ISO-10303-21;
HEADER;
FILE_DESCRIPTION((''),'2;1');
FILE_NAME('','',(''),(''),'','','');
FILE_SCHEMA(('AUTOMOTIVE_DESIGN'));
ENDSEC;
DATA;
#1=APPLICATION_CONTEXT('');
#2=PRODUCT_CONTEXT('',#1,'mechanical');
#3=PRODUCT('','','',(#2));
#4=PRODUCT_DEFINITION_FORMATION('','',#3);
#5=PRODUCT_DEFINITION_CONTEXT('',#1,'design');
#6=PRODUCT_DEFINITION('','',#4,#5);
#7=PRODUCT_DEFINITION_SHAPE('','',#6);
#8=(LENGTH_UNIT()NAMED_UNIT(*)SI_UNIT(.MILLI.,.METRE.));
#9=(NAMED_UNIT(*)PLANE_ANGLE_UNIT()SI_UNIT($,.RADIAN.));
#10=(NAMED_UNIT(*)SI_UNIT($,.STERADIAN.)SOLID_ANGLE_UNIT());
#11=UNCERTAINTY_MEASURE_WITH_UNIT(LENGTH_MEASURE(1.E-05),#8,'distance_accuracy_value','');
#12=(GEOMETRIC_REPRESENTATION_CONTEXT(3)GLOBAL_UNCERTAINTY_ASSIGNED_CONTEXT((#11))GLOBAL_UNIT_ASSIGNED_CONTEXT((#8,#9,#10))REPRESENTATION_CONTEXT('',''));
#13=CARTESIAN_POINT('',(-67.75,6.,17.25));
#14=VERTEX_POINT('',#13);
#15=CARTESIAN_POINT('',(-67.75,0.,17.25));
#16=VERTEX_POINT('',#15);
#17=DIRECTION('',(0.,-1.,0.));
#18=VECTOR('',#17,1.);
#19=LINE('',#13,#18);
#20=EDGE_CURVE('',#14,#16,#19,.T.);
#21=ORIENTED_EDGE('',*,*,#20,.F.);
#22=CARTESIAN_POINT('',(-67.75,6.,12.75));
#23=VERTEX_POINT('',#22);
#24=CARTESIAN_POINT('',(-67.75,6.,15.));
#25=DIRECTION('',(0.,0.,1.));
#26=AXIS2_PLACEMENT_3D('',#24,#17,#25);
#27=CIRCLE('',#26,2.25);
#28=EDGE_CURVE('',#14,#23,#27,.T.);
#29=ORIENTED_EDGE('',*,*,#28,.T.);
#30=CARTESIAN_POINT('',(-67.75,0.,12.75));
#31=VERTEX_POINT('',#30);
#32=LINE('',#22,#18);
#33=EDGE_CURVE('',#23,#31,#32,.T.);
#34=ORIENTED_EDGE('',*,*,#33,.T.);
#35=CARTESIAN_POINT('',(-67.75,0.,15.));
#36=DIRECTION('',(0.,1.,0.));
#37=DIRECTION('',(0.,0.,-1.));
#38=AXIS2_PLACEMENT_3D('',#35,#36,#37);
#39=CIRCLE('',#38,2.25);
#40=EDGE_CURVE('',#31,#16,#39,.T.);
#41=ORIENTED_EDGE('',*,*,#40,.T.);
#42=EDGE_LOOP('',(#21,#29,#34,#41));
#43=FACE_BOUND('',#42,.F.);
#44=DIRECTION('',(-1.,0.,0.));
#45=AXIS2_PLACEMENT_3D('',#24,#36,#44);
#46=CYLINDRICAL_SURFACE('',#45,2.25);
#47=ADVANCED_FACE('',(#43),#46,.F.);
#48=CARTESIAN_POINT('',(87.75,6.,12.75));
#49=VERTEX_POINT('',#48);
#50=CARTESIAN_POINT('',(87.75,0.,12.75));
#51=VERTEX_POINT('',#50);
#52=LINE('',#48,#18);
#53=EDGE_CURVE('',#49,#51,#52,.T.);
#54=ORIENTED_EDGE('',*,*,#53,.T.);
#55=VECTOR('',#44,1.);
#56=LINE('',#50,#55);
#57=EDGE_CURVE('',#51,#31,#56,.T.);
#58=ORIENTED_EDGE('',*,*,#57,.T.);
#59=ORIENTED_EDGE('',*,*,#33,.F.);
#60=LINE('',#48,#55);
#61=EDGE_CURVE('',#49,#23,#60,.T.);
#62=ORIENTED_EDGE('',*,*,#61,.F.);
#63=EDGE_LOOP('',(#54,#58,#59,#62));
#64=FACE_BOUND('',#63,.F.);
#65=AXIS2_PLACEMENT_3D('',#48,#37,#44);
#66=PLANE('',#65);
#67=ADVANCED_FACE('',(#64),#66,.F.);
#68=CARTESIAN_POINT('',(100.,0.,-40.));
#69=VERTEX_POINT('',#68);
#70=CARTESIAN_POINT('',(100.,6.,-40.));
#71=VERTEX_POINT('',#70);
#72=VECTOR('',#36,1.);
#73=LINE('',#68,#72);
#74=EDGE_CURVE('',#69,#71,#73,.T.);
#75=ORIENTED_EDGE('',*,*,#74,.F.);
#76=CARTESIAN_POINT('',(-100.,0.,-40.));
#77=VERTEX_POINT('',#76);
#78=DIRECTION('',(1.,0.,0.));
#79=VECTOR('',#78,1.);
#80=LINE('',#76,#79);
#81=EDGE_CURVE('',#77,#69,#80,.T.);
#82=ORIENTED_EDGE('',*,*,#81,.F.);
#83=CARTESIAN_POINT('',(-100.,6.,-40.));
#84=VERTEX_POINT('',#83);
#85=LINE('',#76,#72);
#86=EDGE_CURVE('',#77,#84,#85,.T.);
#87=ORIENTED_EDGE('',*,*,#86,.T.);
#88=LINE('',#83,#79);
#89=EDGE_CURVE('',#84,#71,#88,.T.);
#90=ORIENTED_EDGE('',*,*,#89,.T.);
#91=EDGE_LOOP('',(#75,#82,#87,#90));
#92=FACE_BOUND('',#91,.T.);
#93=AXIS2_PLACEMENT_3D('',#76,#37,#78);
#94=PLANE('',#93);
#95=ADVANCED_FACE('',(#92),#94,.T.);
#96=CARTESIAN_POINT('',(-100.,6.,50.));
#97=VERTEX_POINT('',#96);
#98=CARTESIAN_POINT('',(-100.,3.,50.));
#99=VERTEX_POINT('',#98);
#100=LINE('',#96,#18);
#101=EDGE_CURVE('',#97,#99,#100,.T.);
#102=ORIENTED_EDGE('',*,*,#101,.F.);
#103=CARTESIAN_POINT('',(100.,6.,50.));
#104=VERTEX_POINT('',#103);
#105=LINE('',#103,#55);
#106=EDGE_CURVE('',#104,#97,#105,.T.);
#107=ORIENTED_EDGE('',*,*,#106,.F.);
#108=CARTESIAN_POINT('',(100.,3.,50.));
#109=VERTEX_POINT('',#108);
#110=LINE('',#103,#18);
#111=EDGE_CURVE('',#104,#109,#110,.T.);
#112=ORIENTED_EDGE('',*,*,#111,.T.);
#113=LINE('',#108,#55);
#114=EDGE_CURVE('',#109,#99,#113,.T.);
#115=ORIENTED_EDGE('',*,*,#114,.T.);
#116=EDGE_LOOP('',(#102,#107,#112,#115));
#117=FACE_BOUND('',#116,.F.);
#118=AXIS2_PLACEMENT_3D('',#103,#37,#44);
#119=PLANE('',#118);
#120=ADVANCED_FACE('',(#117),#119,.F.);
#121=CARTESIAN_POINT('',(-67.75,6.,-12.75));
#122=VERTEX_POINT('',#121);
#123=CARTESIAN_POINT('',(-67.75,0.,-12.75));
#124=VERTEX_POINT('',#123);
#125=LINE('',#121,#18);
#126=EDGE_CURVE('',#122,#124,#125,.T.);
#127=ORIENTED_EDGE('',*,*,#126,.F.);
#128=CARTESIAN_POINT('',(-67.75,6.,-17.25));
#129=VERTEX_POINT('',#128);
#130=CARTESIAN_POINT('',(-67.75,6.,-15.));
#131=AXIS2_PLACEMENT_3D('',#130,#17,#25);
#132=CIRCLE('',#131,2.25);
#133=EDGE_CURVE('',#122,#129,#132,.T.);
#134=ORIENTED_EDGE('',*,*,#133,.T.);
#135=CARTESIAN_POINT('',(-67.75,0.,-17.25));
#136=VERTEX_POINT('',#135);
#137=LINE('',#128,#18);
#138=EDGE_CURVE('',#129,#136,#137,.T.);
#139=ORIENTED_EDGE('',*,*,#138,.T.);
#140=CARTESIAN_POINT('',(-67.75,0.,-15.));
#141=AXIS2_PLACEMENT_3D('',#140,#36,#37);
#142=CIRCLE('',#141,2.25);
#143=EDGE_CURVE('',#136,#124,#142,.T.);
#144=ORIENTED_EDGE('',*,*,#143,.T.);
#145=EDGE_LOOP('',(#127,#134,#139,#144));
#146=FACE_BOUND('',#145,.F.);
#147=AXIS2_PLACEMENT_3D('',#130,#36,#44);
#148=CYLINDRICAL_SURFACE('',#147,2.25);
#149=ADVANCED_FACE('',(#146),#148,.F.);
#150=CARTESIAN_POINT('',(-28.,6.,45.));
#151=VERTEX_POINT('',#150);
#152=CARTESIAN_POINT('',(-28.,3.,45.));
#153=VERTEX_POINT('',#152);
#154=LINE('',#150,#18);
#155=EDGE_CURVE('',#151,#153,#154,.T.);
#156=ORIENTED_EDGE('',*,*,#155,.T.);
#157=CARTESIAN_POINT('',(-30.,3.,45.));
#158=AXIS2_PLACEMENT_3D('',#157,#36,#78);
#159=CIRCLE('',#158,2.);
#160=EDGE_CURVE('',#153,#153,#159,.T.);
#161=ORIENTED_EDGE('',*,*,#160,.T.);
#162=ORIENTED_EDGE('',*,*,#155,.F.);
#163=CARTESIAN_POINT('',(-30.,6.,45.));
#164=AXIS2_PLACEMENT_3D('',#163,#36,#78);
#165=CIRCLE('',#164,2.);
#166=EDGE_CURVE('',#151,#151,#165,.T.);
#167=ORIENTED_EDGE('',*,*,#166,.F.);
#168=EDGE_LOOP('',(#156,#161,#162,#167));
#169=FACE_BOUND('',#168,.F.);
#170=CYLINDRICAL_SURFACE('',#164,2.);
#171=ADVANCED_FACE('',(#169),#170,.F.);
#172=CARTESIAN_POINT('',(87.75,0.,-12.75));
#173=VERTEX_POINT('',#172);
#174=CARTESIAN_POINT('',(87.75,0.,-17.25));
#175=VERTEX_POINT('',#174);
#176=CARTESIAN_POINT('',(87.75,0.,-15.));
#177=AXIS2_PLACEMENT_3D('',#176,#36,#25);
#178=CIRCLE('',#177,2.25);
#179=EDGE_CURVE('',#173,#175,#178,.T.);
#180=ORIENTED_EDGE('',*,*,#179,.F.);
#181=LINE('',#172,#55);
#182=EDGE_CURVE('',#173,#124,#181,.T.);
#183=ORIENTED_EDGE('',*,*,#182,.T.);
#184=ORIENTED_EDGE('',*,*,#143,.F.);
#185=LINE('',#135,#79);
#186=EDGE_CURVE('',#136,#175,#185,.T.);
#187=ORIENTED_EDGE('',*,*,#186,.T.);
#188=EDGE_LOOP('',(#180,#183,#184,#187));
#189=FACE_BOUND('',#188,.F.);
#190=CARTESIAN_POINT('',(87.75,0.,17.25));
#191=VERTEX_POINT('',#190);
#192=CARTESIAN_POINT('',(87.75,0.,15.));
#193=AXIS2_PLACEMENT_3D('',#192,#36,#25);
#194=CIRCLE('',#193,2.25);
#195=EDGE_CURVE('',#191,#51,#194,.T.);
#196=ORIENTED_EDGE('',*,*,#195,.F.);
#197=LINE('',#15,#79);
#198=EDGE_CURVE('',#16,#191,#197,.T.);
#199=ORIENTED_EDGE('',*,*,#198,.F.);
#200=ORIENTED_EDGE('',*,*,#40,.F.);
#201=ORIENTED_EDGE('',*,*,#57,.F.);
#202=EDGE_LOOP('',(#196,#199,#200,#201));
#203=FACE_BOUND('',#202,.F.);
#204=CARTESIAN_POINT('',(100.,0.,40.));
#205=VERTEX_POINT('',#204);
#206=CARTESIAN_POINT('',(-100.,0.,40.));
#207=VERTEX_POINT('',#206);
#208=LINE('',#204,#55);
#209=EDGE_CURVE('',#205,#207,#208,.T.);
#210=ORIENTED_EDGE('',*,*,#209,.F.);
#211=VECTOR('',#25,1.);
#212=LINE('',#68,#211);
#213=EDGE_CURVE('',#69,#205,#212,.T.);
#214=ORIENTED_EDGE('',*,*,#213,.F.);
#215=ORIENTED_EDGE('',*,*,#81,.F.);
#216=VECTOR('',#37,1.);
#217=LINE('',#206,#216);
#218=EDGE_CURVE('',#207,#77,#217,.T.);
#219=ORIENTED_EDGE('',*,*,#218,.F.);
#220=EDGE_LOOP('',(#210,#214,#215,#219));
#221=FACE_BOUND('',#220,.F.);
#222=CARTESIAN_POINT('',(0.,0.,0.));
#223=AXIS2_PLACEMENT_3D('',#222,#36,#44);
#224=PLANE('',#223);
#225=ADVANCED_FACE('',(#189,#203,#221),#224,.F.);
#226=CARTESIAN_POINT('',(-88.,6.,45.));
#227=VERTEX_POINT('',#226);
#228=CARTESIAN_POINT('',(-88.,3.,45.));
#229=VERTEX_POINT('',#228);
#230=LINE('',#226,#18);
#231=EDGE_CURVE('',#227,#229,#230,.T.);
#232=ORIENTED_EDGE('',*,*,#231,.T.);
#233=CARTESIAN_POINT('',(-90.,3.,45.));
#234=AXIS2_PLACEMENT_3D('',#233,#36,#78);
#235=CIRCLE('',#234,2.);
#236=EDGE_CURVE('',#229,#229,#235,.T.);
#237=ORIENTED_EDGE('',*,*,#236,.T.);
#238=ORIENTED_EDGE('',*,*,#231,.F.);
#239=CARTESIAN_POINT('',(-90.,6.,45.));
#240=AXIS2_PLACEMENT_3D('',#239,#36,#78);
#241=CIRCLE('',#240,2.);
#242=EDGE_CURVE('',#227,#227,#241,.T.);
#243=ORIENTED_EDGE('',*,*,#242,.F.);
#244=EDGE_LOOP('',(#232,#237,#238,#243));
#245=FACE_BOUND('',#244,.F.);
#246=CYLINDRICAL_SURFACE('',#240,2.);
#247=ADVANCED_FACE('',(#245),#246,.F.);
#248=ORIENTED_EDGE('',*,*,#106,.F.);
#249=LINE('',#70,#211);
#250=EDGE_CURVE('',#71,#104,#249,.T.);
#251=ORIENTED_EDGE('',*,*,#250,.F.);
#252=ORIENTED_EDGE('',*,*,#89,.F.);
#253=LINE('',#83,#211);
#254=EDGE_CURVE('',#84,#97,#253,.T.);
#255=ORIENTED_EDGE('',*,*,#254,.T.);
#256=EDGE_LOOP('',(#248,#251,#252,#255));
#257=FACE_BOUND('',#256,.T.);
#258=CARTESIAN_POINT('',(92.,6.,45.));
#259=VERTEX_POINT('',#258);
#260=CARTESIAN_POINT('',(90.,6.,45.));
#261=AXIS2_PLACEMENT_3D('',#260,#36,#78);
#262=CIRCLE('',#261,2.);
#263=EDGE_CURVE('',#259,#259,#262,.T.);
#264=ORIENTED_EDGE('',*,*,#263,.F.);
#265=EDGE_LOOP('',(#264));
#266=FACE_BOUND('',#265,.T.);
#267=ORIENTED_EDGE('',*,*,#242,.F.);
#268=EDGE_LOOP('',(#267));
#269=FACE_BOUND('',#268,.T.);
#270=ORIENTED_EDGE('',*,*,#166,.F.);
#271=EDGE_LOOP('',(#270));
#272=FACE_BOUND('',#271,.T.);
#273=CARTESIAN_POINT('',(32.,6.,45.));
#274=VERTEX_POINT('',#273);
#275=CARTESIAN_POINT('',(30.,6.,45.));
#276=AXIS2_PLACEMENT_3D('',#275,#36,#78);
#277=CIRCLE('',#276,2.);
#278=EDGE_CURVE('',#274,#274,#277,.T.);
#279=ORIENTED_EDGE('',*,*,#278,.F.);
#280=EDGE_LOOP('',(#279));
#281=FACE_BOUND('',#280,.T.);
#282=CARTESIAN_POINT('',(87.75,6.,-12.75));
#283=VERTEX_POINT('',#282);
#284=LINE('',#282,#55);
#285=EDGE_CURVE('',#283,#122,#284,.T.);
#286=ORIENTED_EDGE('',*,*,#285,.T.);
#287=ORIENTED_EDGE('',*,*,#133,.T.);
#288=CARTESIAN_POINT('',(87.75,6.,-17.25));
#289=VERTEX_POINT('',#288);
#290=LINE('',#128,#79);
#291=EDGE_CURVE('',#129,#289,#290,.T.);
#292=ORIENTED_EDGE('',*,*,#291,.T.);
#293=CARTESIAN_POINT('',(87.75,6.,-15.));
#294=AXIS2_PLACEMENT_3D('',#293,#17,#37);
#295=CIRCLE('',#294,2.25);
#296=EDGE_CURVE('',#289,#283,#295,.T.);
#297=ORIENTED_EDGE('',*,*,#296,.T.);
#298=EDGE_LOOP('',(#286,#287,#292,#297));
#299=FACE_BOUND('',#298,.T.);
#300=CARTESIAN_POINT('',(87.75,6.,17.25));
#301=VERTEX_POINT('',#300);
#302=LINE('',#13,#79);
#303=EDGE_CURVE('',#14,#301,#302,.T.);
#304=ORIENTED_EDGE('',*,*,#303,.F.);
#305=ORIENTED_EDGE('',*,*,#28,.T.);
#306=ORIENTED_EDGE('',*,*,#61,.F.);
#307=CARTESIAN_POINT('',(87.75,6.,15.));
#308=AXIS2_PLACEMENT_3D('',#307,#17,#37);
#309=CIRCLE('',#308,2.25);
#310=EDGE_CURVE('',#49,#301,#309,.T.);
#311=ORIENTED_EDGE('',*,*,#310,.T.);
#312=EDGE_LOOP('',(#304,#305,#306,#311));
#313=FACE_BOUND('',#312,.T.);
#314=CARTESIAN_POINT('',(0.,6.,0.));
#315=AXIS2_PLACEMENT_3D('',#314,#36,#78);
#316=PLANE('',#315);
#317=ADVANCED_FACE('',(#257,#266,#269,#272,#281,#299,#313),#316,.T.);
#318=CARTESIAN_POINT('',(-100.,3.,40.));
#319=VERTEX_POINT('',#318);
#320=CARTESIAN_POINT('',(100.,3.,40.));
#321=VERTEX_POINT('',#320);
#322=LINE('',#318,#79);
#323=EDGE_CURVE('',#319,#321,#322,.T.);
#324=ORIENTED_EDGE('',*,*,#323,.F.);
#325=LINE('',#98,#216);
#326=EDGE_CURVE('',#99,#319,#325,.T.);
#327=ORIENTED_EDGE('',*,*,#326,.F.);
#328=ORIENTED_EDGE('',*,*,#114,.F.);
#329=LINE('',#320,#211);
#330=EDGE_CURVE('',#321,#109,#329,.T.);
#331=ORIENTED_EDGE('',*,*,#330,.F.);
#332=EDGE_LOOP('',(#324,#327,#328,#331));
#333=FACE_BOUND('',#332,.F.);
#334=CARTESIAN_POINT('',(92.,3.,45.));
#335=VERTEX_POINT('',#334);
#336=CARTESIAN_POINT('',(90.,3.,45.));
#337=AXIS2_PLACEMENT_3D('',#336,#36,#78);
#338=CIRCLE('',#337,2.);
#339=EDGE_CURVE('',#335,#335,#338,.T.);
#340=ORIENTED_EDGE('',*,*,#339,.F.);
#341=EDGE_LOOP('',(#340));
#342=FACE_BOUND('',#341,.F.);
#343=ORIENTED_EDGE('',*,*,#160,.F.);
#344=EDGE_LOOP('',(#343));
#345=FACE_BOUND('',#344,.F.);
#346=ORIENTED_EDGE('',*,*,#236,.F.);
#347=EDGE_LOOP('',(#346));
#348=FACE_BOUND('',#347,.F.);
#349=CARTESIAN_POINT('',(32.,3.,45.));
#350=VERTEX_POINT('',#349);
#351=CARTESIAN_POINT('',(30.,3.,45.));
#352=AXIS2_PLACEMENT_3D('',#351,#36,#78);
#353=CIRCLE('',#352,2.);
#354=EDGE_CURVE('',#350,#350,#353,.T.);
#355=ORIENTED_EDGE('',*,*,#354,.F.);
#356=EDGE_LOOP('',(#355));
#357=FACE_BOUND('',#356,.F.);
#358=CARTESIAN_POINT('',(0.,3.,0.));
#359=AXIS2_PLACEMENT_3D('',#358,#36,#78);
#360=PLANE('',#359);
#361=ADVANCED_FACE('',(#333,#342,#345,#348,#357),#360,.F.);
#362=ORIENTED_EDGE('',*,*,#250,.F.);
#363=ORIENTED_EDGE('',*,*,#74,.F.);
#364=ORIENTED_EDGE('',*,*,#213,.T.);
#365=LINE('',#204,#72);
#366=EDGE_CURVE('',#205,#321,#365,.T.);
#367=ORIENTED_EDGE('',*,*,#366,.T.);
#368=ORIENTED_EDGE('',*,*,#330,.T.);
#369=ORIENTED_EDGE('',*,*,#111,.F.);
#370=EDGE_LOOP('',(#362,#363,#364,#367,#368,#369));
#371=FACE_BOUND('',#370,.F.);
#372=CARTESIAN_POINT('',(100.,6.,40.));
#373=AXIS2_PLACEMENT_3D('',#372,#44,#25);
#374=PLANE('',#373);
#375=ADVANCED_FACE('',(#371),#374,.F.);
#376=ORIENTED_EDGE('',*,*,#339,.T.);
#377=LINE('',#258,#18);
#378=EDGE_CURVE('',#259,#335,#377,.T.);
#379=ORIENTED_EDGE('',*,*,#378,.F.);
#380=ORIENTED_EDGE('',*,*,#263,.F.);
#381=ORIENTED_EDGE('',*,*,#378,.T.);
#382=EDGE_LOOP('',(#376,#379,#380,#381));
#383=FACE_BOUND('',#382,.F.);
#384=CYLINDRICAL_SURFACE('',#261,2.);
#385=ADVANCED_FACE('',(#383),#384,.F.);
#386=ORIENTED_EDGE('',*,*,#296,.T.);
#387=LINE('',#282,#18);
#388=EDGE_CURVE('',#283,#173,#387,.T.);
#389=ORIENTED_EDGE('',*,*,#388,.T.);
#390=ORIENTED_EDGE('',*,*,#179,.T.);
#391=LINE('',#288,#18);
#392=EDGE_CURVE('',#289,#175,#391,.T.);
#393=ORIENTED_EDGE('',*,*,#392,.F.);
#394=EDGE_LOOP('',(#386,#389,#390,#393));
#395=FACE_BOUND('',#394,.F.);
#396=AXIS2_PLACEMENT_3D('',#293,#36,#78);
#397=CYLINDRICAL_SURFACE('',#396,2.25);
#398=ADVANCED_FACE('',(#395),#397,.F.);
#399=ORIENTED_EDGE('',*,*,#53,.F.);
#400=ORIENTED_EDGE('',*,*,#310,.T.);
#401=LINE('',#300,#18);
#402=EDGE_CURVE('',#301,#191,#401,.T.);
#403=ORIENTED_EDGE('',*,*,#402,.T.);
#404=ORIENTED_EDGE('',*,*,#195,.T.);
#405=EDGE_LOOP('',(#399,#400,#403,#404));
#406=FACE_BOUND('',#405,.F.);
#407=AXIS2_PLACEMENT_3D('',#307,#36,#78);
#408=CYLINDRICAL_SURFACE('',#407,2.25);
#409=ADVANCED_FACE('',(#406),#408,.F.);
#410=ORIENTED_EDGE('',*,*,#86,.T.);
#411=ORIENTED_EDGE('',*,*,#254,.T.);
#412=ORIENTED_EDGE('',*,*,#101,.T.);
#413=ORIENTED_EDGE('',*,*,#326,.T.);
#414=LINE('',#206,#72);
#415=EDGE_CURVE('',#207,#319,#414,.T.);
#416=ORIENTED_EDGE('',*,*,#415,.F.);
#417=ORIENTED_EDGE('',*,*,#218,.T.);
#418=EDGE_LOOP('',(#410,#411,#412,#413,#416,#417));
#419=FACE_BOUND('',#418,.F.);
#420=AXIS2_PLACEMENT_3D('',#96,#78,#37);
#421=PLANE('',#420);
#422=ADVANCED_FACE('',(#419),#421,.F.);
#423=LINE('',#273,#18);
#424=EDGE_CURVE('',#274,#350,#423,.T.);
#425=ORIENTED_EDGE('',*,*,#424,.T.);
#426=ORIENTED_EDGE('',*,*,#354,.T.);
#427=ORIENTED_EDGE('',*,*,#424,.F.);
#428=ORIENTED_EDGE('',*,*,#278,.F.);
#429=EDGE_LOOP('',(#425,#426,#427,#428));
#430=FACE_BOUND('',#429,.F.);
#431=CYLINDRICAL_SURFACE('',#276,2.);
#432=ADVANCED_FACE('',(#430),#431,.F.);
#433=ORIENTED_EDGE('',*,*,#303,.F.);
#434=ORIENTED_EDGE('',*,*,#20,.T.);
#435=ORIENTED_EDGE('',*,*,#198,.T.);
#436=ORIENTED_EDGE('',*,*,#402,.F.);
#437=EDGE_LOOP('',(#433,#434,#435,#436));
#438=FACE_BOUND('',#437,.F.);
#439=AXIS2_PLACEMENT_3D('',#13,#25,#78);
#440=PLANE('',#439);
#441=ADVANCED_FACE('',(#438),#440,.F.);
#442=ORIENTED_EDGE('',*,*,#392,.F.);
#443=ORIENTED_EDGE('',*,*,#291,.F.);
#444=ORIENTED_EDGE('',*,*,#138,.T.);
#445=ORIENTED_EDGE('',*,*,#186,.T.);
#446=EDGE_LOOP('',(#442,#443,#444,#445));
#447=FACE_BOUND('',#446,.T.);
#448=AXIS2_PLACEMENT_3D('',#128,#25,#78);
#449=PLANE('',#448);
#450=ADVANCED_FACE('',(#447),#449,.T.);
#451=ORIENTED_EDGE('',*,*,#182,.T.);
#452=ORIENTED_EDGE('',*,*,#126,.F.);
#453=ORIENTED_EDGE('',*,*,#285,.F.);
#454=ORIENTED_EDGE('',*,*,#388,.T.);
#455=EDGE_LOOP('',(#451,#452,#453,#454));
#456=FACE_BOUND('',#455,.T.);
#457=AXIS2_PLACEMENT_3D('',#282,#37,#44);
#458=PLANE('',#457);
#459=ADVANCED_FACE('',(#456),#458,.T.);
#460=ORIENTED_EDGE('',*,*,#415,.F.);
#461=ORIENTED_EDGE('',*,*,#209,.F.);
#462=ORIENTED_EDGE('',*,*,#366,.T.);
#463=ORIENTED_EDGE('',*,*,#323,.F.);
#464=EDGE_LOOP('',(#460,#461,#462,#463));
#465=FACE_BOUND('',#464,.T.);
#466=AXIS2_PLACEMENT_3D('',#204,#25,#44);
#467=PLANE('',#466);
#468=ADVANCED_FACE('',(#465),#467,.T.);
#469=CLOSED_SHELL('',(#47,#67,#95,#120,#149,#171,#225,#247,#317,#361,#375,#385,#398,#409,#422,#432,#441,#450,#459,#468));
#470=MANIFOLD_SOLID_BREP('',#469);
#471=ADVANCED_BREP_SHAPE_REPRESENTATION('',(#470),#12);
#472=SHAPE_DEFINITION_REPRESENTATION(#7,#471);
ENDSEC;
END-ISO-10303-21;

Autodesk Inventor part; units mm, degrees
ref_plane "YZ Plane" through (0, 0, 0) normal (1, 0, 0) x (0, 1, 0)
ref_plane "XZ Plane" through (0, 0, 0) normal (0, 1, 0) x (-1, 0, 0)
ref_plane "XY Plane" through (0, 0, 0) normal (0, 0, 1) x (1, 0, 0)
sketch "Boceto1" plane through (0, 0, 0) normal (0, 1, 0) x (-1, 0, 0)
  line L0 (-100, 40) -> (100, 40)
  line L1 (100, 40) -> (100, -40)
  line L2 (100, -40) -> (-100, -40)
  line L3 (-100, -40) -> (-100, 40)
  line L4 (-100, 40) -> (100, -40) construction
  line L5 (100, 40) -> (-100, -40) construction
  point P0 (0, 0)
  dimension "d0" = 200
  dimension "d1" = 80
extrude "Extrusión1" add sketch "Boceto1" along normal blind 6
sketch "Boceto2" plane through (0, 6, 0) normal (0, 1, 0) x (1, 0, 0)
  line L0 (-67.75, -17.25) -> (87.75, -17.25)
  line L1 (90, -15) -> (90, -15)
  line L2 (87.75, -12.75) -> (-67.75, -12.75)
  line L3 (-70, -15) -> (-70, -15)
  line L4 (0, 0) -> (-99.8063, 0) construction
  line L5 (100, -40) -> (100, 40) construction
  line L6 (100, 40) -> (-100, 40) construction
  line L7 (-100, 40) -> (-100, -40) construction
  line L8 (-100, -40) -> (100, -40) construction
  line L9 (100, -40) -> (100, 40) construction
  arc A0 (-70, -15) -> (-67.75, -17.25) centre (-67.75, -15) ccw
  arc A1 (-67.75, -12.75) -> (-70, -15) centre (-67.75, -15) ccw
  arc A2 (87.75, -17.25) -> (90, -15) centre (87.75, -15) ccw
  arc A3 (90, -15) -> (87.75, -12.75) centre (87.75, -15) ccw
  line L10 (-67.75, 17.25) -> (87.75, 17.25)
  line L11 (87.75, 12.75) -> (-67.75, 12.75)
  arc A4 (-67.75, 17.25) -> (-70, 15) centre (-67.75, 15) ccw
  arc A5 (-70, 15) -> (-67.75, 12.75) centre (-67.75, 15) ccw
  arc A6 (90, 15) -> (87.75, 17.25) centre (87.75, 15) ccw
  arc A7 (87.75, 12.75) -> (90, 15) centre (87.75, 15) ccw
  dimension "d4" = 12.75
  dimension "d5" = 4.5
  dimension "d6" = 10
  dimension "d7" = 30
  dimension "d8" = 2.25
  dimension "d9" = 2.25
  dimension "d10" = 2.25
extrude "Extrusión2" cut sketch "Boceto2" against normal blind 6
sketch "Boceto3" plane through (0, 6, 0) normal (0, 1, 0) x (1, 0, 0)
  line L0 (-67.75, -12.75) -> (87.75, -12.75) projected
  arc A0 (87.75, -17.25) -> (87.75, -12.75) centre (87.75, -15) ccw projected
  line L1 (87.75, -17.25) -> (-67.75, -17.25) projected
  arc A1 (-67.75, -12.75) -> (-67.75, -17.25) centre (-67.75, -15) ccw projected
  arc A2 (-67.75, 17.25) -> (-67.75, 12.75) centre (-67.75, 15) ccw projected
  line L2 (-67.75, 17.25) -> (87.75, 17.25) projected
  arc A3 (87.75, 12.75) -> (87.75, 17.25) centre (87.75, 15) ccw projected
  line L3 (87.75, 12.75) -> (-67.75, 12.75) projected
  line L4 (100, 40) -> (-100, 40) projected
  line L5 (-100, 40) -> (-100, -40) projected
  line L6 (-100, -40) -> (100, -40) projected
  line L7 (100, -40) -> (100, 40) projected
  line L8 (-100, -40) -> (100, -40)
  line L9 (100, -40) -> (100, -50)
  line L10 (100, -50) -> (-100, -50)
  line L11 (-100, -50) -> (-100, -40)
  point P0 (0, 0)
  dimension "d13" = 10
extrude "Extrusión3" add sketch "Boceto3" against normal blind 3 contours L9 L10 L11 L6
sketch "Boceto4" plane through (0, 6, 0) normal (0, 1, 0) x (1, 0, 0)
  line L0 (-100, -50) -> (100, -50) projected
  line L1 (-100, -45) -> (100, -45) construction
  circle A0 centre (-90, -45) radius 2
  line L2 (-100, 40) -> (-100, -50) projected
  circle A1 centre (-30, -45) radius 2
  circle A2 centre (30, -45) radius 2
  circle A3 centre (90, -45) radius 2
  point P0 (0, 0)
  dimension "d16" = 5
  dimension "d17" = 4
  dimension "d18" = 10
  dimension "d21" = 60
extrude "Extrusión4" cut sketch "Boceto4" against normal blind 3
properties part number "MesaDePruebas"
